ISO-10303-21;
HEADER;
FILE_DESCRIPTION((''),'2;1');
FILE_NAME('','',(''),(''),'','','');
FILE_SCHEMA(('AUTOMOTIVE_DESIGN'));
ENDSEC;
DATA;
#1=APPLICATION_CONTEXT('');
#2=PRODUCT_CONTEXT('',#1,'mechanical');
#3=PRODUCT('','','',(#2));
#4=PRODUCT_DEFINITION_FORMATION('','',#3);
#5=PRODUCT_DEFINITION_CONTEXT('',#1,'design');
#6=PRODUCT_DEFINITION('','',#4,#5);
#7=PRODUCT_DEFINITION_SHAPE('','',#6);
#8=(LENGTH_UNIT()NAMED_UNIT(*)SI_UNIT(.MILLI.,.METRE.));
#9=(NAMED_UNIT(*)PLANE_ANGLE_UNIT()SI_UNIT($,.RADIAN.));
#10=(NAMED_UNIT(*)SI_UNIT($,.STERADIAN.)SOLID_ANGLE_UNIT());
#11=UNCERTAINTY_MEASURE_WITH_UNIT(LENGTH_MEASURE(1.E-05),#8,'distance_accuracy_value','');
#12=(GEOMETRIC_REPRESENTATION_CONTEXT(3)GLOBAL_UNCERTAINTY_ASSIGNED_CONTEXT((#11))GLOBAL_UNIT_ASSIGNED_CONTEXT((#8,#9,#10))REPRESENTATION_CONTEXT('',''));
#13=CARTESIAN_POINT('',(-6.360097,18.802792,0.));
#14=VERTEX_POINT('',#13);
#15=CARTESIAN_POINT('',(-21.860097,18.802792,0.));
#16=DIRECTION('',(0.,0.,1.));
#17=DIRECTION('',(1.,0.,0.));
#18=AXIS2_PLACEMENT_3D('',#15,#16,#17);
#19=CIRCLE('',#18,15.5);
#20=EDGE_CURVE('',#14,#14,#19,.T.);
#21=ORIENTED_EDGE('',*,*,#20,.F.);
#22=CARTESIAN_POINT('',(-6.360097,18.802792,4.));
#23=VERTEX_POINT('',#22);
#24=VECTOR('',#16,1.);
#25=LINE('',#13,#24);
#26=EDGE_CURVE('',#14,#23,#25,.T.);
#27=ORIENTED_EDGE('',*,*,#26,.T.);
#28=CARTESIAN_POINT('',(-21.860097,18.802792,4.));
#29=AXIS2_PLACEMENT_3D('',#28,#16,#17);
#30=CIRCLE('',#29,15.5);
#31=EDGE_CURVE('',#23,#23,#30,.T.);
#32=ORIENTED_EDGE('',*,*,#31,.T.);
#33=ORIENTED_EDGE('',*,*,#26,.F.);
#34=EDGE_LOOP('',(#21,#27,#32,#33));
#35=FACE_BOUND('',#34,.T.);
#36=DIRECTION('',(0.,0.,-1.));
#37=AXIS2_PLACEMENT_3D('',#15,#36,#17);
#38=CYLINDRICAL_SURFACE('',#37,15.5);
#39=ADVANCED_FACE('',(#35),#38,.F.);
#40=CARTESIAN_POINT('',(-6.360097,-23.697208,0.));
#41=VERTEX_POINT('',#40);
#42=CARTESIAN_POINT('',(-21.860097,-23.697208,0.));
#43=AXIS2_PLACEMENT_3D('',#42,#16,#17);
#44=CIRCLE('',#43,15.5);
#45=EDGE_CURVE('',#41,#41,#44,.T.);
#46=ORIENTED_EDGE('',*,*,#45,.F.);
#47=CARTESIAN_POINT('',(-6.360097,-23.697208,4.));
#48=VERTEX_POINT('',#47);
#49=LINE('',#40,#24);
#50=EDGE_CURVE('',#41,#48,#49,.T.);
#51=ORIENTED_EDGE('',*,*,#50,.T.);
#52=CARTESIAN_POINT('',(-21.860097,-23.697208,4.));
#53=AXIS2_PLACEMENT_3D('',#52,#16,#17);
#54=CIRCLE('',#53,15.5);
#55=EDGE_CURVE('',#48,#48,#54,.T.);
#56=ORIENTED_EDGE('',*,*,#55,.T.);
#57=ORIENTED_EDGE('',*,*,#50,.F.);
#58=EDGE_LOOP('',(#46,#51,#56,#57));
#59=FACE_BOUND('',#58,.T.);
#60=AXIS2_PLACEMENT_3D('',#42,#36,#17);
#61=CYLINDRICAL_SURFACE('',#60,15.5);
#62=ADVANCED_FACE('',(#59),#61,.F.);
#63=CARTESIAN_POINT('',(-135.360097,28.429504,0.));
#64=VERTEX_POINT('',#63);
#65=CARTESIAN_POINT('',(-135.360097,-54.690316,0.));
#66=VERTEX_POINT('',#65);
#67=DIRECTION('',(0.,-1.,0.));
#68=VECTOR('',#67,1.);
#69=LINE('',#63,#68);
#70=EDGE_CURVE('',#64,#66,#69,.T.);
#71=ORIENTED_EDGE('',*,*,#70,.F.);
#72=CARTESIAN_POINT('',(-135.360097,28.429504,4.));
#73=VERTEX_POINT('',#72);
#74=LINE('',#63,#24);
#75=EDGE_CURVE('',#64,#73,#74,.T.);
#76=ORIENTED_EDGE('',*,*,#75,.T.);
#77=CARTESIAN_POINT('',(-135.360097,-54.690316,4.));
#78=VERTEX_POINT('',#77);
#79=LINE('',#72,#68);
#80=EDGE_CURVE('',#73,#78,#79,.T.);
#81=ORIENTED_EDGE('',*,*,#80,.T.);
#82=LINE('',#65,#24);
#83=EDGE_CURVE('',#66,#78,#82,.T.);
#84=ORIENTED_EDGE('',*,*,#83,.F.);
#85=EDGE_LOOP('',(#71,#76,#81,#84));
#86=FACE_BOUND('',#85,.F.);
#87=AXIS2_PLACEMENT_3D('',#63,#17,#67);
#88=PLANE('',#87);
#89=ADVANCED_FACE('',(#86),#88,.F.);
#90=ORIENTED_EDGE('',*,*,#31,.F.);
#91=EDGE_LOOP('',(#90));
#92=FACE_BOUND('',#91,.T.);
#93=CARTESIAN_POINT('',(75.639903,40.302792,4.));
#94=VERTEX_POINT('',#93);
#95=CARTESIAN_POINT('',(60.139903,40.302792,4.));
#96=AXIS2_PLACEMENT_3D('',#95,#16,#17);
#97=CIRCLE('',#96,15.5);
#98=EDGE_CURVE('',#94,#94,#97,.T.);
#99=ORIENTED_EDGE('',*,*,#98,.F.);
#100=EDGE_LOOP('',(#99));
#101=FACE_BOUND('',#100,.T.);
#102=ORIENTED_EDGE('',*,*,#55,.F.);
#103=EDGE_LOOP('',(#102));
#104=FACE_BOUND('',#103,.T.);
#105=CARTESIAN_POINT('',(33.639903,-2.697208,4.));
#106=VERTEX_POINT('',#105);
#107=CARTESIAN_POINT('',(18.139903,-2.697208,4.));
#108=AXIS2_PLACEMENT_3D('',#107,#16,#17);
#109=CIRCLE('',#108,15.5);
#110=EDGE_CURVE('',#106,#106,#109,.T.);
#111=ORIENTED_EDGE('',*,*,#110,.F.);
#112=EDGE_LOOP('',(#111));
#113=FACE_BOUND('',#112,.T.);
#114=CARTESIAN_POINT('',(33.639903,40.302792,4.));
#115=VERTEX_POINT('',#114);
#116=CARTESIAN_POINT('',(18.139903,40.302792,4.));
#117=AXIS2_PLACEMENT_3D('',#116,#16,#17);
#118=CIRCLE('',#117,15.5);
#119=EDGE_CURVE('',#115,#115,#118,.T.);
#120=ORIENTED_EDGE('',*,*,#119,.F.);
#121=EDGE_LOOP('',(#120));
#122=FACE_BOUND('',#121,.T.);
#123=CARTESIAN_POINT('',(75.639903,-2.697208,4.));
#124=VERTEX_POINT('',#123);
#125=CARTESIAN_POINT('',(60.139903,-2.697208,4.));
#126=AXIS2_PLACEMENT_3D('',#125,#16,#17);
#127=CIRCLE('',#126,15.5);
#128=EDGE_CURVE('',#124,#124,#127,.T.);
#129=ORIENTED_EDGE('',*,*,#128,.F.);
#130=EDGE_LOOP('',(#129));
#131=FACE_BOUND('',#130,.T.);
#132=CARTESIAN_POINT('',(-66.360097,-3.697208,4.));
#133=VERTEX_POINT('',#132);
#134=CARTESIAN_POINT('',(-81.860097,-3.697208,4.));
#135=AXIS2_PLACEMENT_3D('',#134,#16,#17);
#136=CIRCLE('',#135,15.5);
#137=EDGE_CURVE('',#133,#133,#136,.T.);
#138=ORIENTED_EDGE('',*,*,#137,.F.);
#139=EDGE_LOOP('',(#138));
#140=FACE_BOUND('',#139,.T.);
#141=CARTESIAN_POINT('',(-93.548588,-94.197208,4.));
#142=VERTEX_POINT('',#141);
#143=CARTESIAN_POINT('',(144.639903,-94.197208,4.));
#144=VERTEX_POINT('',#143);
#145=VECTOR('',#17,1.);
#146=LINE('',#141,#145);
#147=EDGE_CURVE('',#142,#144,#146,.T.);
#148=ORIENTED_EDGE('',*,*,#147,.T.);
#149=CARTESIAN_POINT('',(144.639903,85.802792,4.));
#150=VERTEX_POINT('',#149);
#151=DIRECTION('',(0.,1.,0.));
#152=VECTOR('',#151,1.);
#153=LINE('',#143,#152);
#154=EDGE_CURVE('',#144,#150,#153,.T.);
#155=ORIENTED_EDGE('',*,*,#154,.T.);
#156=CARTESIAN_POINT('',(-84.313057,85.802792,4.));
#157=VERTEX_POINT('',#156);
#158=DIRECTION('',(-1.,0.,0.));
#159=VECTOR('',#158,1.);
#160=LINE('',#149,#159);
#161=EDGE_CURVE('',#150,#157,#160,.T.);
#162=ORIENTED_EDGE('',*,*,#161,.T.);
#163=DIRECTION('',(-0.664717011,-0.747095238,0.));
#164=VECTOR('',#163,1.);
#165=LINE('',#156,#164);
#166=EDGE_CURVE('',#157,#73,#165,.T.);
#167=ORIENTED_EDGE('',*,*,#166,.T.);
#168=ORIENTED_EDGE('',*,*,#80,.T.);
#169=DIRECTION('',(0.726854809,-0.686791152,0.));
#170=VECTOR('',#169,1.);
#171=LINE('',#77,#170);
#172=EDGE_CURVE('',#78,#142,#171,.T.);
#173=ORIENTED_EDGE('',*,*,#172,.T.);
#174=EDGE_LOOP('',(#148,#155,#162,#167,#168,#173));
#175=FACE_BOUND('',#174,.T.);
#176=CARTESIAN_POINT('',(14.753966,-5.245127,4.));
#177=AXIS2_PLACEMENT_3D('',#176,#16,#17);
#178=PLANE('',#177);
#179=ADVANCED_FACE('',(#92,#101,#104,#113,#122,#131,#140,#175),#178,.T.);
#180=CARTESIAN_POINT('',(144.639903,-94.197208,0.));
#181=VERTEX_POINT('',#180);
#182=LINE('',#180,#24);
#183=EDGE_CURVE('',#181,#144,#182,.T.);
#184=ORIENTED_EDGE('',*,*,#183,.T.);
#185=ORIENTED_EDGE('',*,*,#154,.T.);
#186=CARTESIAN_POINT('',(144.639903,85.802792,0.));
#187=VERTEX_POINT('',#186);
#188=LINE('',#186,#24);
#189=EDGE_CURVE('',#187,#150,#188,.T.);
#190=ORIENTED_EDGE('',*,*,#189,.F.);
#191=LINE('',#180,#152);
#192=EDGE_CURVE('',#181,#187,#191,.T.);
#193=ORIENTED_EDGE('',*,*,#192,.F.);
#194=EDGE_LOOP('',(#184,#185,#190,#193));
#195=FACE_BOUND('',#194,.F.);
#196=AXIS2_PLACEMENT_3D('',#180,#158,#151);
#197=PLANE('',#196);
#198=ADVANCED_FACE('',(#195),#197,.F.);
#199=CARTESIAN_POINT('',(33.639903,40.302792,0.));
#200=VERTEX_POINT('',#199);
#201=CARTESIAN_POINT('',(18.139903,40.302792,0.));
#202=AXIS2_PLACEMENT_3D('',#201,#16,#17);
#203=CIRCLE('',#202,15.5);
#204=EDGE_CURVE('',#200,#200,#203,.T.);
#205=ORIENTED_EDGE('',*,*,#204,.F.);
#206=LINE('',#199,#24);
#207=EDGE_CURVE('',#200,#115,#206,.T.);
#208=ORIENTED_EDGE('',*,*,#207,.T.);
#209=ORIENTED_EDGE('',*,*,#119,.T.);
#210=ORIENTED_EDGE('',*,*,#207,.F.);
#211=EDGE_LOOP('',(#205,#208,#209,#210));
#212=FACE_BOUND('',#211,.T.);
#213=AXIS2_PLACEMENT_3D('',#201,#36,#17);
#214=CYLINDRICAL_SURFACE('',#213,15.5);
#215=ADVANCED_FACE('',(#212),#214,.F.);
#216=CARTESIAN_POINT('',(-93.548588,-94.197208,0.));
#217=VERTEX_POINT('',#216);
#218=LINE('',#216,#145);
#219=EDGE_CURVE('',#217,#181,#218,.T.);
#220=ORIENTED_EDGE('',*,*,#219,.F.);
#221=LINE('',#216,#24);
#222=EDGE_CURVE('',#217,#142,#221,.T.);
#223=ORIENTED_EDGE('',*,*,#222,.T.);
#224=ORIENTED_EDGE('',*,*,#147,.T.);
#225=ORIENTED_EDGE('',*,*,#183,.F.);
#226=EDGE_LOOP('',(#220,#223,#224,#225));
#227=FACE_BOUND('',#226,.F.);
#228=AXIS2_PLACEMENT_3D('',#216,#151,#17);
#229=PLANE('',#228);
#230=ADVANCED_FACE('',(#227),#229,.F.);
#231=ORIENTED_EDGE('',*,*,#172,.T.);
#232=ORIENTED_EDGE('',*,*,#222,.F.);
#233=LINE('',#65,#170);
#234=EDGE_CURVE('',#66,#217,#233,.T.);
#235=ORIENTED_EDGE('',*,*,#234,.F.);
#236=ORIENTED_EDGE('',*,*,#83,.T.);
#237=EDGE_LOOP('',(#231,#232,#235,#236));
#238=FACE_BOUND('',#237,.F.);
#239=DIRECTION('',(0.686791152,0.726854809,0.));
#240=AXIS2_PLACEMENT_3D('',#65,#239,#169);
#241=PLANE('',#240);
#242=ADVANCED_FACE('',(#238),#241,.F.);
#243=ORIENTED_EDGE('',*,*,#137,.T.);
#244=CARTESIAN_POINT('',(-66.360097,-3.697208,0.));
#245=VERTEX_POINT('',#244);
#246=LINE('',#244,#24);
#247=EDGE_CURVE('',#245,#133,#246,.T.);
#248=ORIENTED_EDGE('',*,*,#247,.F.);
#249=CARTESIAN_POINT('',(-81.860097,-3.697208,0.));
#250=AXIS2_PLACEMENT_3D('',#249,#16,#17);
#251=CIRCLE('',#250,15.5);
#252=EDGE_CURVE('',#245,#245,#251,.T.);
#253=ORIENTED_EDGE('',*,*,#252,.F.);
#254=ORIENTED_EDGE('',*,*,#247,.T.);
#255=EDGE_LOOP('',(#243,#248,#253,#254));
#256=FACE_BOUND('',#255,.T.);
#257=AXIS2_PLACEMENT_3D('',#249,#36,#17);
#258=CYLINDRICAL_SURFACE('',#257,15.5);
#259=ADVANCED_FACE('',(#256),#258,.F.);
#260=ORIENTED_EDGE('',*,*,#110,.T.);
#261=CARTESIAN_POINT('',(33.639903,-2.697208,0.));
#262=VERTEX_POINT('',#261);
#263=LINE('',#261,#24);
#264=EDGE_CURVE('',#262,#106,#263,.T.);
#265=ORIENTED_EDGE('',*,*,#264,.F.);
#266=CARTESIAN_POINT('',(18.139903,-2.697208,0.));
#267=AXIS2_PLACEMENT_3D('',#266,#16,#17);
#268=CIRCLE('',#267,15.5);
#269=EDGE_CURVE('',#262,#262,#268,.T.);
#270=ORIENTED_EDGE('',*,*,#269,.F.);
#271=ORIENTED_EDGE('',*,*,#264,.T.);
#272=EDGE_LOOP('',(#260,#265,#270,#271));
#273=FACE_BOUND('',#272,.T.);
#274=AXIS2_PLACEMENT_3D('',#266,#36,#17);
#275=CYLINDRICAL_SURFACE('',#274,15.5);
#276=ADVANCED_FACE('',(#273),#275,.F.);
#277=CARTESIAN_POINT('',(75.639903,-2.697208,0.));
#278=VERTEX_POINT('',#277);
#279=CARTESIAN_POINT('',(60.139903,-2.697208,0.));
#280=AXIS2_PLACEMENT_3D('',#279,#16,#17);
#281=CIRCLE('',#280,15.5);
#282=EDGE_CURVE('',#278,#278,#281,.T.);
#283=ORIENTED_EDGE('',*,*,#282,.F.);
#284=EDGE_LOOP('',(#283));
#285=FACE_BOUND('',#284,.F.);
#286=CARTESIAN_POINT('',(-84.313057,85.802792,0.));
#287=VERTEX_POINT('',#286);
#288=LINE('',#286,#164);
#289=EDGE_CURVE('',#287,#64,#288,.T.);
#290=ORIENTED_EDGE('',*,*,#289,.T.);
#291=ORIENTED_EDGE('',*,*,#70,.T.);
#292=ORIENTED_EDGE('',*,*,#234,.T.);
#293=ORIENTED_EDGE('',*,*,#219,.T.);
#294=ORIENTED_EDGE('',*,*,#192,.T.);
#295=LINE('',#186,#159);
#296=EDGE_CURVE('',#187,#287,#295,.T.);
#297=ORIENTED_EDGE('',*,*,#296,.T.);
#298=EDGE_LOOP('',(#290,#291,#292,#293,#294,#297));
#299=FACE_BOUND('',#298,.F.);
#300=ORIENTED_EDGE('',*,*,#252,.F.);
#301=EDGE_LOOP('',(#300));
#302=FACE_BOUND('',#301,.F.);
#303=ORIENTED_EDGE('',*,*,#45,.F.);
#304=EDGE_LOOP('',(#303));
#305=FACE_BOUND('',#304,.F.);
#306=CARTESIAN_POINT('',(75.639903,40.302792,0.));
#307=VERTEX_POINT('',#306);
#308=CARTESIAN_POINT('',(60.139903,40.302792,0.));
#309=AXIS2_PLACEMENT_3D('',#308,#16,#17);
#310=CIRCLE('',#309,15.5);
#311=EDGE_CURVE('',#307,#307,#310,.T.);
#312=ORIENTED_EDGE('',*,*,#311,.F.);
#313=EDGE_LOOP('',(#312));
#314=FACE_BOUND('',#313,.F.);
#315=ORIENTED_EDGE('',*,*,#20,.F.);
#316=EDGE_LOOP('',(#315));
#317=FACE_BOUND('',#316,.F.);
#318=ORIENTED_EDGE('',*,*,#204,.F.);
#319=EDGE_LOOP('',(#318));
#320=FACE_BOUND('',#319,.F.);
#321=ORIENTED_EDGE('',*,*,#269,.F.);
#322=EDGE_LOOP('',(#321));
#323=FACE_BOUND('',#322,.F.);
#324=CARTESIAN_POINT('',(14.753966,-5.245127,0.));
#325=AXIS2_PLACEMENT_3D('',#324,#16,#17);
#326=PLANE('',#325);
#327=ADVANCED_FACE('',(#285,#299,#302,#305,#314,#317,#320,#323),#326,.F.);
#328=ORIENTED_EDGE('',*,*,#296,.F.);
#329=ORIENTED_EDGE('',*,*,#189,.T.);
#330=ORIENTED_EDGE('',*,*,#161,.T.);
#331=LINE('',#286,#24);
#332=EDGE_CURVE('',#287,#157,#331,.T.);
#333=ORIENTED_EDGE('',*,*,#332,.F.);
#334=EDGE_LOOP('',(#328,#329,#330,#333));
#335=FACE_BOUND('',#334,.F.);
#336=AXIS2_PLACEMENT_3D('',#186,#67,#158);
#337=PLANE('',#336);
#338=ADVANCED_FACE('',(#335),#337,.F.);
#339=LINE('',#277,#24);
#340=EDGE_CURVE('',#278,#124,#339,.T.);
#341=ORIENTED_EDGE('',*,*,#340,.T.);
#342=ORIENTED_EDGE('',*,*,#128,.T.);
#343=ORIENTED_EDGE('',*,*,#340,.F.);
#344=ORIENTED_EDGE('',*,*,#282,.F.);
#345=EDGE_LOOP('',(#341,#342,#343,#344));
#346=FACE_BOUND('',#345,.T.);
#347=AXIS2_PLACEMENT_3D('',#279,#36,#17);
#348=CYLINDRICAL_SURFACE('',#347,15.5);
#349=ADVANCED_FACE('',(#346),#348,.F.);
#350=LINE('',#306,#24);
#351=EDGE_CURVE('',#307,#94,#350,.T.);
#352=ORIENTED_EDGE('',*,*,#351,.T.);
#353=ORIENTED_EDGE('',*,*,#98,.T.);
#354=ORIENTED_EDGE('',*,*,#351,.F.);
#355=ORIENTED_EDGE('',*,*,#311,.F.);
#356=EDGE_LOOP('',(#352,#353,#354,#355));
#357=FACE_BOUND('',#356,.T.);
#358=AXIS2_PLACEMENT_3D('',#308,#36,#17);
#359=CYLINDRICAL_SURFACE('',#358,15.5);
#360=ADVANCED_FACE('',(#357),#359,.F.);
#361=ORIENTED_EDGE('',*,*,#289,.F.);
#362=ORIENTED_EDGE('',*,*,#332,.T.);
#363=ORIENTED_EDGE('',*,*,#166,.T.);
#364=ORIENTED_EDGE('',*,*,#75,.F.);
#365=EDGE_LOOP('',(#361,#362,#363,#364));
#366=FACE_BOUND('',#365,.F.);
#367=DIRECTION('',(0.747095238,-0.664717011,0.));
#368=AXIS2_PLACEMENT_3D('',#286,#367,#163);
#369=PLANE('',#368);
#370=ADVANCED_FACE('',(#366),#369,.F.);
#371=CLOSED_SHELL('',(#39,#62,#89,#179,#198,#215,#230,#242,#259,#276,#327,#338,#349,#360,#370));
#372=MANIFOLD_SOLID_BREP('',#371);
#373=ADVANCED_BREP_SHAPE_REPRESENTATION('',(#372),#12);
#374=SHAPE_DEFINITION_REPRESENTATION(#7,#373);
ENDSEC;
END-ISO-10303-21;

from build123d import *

# Parameters (mm, degrees)
F0_R     = 15.5
F1_DEPTH = 4


with BuildPart() as f1:
    # F0 (on Top) → F1 (new body)
    with BuildSketch(Plane.XY):
        Polygon((144.639903, 85.802792), (-84.313057, 85.802792), (-135.360097, 28.429504), (-135.360097, -54.690316), (-93.548588, -94.197208), (144.639903, -94.197208), align=None)
        with Locations((-21.860097, -23.697208)):
            Circle(F0_R, mode=Mode.SUBTRACT)
        with Locations((-81.860097, -3.697208)):
            Circle(F0_R, mode=Mode.SUBTRACT)
        with Locations((-21.860097, 18.802792)):
            Circle(F0_R, mode=Mode.SUBTRACT)
        with Locations((18.139903, -2.697208)):
            Circle(F0_R, mode=Mode.SUBTRACT)
        with Locations((60.139903, -2.697208)):
            Circle(F0_R, mode=Mode.SUBTRACT)
        with Locations((18.139903, 40.302792)):
            Circle(F0_R, mode=Mode.SUBTRACT)
        with Locations((60.139903, 40.302792)):
            Circle(F0_R, mode=Mode.SUBTRACT)
    extrude(amount=F1_DEPTH)


solid = f1.part
